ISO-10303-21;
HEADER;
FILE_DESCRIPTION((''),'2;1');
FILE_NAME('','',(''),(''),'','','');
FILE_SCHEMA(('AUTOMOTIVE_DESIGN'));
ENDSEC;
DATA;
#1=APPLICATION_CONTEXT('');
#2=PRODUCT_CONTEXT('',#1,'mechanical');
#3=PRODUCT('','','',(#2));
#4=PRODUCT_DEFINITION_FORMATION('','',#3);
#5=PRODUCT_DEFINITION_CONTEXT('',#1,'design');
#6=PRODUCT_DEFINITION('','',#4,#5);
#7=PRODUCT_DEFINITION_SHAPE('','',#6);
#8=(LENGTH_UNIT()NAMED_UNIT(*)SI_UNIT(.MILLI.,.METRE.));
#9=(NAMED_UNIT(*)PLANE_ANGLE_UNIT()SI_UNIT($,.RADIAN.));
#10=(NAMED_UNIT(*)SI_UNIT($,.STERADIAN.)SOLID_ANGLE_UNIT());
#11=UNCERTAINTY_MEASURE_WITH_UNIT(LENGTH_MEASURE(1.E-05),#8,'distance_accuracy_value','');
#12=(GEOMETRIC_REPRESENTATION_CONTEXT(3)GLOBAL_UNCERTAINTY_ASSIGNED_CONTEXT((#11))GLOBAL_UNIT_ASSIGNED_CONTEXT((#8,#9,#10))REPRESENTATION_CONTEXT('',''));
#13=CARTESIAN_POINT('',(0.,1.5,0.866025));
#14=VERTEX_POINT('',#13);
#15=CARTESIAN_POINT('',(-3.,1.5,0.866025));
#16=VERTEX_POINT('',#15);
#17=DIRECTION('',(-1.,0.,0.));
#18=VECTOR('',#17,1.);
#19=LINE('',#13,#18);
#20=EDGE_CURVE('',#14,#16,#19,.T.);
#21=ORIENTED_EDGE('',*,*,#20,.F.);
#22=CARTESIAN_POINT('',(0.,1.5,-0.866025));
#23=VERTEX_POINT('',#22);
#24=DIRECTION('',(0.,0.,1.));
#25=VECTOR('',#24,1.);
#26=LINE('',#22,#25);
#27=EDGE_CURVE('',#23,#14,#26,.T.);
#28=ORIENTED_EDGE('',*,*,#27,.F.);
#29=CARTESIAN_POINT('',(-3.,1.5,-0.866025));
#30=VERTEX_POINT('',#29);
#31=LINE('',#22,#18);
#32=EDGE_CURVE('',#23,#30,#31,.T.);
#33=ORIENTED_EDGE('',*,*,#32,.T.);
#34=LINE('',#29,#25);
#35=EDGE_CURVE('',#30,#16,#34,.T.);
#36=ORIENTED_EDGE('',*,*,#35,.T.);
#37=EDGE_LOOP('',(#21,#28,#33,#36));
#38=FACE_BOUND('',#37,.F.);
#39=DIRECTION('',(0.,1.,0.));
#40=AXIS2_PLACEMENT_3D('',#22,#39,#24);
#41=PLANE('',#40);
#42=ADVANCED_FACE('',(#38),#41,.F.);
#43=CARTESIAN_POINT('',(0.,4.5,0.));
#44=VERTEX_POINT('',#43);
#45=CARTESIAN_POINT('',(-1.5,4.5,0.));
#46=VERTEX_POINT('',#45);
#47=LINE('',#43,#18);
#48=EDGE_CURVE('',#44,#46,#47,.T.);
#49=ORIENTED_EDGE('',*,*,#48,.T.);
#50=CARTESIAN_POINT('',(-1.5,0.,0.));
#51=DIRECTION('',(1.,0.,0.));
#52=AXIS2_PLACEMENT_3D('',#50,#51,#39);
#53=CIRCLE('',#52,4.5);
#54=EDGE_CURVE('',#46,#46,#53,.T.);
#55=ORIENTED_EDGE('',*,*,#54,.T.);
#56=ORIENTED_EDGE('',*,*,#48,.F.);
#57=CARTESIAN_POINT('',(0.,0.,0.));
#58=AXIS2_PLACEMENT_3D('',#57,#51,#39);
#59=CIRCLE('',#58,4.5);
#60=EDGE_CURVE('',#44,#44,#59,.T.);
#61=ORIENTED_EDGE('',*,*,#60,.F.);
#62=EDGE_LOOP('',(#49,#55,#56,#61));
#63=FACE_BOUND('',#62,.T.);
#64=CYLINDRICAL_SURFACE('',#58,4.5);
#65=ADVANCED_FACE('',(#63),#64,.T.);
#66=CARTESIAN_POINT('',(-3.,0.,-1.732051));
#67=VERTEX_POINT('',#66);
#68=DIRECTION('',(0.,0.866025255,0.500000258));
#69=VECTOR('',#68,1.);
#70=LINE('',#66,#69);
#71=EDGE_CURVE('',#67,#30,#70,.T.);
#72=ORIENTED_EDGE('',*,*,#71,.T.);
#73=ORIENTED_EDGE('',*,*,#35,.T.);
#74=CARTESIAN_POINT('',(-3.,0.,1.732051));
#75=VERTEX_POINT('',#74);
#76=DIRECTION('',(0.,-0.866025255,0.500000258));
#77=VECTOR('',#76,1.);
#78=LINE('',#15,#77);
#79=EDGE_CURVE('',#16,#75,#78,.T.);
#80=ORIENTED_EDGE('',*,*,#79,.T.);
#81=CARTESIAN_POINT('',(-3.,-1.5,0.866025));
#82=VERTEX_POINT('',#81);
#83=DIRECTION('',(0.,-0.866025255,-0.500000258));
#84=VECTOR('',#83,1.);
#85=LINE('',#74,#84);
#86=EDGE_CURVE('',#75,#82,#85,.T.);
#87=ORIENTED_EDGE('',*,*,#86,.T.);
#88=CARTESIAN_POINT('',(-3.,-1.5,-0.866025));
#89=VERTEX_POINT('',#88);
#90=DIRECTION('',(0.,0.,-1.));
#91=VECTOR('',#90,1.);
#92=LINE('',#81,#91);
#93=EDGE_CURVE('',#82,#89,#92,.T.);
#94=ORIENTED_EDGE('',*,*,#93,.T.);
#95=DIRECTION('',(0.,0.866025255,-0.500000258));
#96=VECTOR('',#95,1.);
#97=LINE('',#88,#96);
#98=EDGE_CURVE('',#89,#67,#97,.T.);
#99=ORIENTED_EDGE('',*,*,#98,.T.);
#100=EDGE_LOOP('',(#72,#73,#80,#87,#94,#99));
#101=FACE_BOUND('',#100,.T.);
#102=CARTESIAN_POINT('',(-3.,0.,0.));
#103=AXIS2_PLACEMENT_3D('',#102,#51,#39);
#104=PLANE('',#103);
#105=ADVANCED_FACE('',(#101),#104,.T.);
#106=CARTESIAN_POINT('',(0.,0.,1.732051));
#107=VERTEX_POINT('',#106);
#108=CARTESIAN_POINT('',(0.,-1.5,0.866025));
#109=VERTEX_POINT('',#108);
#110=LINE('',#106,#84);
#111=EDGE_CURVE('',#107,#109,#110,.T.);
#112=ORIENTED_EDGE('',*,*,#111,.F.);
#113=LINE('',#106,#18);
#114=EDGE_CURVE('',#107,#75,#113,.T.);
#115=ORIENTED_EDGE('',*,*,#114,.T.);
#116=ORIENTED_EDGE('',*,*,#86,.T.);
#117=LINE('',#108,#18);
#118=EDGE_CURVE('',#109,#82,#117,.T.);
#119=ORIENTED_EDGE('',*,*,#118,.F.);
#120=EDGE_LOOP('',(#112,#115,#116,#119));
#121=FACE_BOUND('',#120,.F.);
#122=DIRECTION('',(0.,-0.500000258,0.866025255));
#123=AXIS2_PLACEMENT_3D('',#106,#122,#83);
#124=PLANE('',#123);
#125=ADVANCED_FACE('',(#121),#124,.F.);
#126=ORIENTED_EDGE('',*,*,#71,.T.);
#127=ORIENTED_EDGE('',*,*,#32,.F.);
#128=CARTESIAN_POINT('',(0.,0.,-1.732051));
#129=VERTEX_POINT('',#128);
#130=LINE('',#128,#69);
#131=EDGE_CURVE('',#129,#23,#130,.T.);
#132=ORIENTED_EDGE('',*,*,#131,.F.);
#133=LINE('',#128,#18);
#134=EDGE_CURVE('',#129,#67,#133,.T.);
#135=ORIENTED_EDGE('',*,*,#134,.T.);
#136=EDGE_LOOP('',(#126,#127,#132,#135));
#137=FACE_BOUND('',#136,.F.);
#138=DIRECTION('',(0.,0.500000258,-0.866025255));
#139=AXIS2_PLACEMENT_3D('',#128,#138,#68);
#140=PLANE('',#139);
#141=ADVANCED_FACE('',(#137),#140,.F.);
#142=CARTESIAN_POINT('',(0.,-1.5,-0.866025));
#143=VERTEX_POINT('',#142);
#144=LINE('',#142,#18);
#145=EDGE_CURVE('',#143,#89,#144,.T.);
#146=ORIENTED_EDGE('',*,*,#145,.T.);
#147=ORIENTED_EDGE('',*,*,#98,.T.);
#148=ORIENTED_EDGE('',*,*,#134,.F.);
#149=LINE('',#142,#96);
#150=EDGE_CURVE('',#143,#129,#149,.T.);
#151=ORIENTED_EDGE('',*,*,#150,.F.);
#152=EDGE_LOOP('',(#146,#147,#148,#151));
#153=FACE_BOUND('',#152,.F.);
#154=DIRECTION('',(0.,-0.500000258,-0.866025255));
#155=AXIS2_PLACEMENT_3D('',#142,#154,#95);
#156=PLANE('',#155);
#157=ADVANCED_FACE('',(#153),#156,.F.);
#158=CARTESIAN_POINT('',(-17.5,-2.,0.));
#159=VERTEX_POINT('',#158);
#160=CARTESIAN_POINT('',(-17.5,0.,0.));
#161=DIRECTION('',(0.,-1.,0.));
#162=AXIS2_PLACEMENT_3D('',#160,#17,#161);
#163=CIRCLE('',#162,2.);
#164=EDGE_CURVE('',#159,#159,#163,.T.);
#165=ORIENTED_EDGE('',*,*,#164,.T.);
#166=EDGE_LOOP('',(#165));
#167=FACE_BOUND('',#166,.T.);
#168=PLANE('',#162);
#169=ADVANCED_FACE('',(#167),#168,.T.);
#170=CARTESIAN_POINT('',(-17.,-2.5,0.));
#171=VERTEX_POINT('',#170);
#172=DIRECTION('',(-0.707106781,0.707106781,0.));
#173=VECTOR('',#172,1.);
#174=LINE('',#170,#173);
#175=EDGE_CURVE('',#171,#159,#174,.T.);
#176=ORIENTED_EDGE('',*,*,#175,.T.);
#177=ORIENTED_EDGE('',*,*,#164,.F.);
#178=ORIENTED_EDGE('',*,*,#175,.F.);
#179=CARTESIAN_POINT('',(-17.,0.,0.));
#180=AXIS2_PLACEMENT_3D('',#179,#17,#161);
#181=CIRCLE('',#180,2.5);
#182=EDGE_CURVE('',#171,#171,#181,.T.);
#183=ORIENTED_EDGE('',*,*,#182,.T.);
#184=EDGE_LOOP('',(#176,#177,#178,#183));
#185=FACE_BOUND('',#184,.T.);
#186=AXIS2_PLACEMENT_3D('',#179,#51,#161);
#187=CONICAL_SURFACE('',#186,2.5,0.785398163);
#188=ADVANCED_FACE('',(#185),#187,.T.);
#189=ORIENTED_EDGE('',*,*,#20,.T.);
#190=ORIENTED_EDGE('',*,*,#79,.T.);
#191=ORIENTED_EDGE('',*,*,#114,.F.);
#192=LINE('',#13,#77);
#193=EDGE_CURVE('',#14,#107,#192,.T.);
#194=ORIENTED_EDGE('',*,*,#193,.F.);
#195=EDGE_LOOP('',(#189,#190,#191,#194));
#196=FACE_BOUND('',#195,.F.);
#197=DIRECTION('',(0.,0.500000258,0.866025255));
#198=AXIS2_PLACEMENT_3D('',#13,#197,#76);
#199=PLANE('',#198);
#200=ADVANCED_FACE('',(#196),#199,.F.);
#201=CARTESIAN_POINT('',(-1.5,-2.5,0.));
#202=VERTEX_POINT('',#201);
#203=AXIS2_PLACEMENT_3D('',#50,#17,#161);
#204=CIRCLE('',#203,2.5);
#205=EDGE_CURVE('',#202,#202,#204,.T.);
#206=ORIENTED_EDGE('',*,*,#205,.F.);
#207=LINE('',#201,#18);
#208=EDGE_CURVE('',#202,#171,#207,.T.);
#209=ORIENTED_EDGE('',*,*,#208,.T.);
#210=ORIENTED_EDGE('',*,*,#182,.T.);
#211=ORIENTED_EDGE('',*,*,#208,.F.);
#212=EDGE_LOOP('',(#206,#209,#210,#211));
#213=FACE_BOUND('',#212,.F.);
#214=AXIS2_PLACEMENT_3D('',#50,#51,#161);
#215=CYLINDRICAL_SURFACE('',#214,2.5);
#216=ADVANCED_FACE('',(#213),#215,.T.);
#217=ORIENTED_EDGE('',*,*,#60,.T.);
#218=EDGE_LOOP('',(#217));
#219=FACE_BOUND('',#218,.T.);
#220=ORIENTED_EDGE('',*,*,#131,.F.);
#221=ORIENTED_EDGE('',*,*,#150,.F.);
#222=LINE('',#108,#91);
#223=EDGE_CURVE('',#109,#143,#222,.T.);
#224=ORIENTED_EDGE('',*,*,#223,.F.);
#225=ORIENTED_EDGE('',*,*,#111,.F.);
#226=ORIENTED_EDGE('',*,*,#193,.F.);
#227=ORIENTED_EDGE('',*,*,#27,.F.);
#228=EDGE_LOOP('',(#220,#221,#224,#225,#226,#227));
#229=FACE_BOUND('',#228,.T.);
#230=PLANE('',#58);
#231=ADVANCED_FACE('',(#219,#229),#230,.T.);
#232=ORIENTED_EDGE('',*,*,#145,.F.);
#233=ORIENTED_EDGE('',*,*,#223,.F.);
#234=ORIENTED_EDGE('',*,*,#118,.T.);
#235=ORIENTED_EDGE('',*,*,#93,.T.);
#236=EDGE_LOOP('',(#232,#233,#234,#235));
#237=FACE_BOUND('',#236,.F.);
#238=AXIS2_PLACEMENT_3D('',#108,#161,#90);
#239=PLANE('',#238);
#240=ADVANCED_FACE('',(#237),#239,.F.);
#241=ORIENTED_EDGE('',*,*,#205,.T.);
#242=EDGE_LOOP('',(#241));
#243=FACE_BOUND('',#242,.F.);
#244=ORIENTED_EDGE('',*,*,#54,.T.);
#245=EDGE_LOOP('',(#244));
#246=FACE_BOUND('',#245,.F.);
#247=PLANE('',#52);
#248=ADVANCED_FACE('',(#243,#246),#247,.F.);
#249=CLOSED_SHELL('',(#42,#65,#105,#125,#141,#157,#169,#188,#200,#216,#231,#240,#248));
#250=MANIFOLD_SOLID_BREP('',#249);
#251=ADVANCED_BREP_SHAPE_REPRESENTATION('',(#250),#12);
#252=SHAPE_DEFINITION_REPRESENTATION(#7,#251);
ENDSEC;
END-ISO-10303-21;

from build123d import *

# Parameters (mm, degrees)
F0_R     = 4.5
F1_DEPTH = 1.5
F2_R     = 2.5
F3_DEPTH = 16
F4_SIZE  = 0.5
F6_DEPTH = 3


with BuildPart() as f1:
    # F0 (on Right) → F1 (new body)
    with BuildSketch(Plane.YZ):
        Circle(F0_R)
    extrude(amount=-F1_DEPTH)

    # F2 (on face) → F3 (join)
    with BuildSketch(Plane(origin=(-1.5, 0, 0), x_dir=(0, -1, 0), z_dir=(-1, 0, 0))):
        Circle(F2_R)
    extrude(amount=F3_DEPTH)

    # F4
    f4_edges = [f1.edges().sort_by_distance(p)[0] for p in [
        (-17.5, 2.5, 0),
    ]]
    chamfer(f4_edges, length=F4_SIZE)

    # F5 (on face) → F6 (cut)
    with BuildSketch(Plane.YZ):
        Polygon((0, -1.732051), (1.5, -0.866025), (1.5, 0.866025), (0, 1.732051), (-1.5, 0.866025), (-1.5, -0.866025), align=None)
    extrude(amount=-F6_DEPTH, mode=Mode.SUBTRACT)


solid = f1.part
